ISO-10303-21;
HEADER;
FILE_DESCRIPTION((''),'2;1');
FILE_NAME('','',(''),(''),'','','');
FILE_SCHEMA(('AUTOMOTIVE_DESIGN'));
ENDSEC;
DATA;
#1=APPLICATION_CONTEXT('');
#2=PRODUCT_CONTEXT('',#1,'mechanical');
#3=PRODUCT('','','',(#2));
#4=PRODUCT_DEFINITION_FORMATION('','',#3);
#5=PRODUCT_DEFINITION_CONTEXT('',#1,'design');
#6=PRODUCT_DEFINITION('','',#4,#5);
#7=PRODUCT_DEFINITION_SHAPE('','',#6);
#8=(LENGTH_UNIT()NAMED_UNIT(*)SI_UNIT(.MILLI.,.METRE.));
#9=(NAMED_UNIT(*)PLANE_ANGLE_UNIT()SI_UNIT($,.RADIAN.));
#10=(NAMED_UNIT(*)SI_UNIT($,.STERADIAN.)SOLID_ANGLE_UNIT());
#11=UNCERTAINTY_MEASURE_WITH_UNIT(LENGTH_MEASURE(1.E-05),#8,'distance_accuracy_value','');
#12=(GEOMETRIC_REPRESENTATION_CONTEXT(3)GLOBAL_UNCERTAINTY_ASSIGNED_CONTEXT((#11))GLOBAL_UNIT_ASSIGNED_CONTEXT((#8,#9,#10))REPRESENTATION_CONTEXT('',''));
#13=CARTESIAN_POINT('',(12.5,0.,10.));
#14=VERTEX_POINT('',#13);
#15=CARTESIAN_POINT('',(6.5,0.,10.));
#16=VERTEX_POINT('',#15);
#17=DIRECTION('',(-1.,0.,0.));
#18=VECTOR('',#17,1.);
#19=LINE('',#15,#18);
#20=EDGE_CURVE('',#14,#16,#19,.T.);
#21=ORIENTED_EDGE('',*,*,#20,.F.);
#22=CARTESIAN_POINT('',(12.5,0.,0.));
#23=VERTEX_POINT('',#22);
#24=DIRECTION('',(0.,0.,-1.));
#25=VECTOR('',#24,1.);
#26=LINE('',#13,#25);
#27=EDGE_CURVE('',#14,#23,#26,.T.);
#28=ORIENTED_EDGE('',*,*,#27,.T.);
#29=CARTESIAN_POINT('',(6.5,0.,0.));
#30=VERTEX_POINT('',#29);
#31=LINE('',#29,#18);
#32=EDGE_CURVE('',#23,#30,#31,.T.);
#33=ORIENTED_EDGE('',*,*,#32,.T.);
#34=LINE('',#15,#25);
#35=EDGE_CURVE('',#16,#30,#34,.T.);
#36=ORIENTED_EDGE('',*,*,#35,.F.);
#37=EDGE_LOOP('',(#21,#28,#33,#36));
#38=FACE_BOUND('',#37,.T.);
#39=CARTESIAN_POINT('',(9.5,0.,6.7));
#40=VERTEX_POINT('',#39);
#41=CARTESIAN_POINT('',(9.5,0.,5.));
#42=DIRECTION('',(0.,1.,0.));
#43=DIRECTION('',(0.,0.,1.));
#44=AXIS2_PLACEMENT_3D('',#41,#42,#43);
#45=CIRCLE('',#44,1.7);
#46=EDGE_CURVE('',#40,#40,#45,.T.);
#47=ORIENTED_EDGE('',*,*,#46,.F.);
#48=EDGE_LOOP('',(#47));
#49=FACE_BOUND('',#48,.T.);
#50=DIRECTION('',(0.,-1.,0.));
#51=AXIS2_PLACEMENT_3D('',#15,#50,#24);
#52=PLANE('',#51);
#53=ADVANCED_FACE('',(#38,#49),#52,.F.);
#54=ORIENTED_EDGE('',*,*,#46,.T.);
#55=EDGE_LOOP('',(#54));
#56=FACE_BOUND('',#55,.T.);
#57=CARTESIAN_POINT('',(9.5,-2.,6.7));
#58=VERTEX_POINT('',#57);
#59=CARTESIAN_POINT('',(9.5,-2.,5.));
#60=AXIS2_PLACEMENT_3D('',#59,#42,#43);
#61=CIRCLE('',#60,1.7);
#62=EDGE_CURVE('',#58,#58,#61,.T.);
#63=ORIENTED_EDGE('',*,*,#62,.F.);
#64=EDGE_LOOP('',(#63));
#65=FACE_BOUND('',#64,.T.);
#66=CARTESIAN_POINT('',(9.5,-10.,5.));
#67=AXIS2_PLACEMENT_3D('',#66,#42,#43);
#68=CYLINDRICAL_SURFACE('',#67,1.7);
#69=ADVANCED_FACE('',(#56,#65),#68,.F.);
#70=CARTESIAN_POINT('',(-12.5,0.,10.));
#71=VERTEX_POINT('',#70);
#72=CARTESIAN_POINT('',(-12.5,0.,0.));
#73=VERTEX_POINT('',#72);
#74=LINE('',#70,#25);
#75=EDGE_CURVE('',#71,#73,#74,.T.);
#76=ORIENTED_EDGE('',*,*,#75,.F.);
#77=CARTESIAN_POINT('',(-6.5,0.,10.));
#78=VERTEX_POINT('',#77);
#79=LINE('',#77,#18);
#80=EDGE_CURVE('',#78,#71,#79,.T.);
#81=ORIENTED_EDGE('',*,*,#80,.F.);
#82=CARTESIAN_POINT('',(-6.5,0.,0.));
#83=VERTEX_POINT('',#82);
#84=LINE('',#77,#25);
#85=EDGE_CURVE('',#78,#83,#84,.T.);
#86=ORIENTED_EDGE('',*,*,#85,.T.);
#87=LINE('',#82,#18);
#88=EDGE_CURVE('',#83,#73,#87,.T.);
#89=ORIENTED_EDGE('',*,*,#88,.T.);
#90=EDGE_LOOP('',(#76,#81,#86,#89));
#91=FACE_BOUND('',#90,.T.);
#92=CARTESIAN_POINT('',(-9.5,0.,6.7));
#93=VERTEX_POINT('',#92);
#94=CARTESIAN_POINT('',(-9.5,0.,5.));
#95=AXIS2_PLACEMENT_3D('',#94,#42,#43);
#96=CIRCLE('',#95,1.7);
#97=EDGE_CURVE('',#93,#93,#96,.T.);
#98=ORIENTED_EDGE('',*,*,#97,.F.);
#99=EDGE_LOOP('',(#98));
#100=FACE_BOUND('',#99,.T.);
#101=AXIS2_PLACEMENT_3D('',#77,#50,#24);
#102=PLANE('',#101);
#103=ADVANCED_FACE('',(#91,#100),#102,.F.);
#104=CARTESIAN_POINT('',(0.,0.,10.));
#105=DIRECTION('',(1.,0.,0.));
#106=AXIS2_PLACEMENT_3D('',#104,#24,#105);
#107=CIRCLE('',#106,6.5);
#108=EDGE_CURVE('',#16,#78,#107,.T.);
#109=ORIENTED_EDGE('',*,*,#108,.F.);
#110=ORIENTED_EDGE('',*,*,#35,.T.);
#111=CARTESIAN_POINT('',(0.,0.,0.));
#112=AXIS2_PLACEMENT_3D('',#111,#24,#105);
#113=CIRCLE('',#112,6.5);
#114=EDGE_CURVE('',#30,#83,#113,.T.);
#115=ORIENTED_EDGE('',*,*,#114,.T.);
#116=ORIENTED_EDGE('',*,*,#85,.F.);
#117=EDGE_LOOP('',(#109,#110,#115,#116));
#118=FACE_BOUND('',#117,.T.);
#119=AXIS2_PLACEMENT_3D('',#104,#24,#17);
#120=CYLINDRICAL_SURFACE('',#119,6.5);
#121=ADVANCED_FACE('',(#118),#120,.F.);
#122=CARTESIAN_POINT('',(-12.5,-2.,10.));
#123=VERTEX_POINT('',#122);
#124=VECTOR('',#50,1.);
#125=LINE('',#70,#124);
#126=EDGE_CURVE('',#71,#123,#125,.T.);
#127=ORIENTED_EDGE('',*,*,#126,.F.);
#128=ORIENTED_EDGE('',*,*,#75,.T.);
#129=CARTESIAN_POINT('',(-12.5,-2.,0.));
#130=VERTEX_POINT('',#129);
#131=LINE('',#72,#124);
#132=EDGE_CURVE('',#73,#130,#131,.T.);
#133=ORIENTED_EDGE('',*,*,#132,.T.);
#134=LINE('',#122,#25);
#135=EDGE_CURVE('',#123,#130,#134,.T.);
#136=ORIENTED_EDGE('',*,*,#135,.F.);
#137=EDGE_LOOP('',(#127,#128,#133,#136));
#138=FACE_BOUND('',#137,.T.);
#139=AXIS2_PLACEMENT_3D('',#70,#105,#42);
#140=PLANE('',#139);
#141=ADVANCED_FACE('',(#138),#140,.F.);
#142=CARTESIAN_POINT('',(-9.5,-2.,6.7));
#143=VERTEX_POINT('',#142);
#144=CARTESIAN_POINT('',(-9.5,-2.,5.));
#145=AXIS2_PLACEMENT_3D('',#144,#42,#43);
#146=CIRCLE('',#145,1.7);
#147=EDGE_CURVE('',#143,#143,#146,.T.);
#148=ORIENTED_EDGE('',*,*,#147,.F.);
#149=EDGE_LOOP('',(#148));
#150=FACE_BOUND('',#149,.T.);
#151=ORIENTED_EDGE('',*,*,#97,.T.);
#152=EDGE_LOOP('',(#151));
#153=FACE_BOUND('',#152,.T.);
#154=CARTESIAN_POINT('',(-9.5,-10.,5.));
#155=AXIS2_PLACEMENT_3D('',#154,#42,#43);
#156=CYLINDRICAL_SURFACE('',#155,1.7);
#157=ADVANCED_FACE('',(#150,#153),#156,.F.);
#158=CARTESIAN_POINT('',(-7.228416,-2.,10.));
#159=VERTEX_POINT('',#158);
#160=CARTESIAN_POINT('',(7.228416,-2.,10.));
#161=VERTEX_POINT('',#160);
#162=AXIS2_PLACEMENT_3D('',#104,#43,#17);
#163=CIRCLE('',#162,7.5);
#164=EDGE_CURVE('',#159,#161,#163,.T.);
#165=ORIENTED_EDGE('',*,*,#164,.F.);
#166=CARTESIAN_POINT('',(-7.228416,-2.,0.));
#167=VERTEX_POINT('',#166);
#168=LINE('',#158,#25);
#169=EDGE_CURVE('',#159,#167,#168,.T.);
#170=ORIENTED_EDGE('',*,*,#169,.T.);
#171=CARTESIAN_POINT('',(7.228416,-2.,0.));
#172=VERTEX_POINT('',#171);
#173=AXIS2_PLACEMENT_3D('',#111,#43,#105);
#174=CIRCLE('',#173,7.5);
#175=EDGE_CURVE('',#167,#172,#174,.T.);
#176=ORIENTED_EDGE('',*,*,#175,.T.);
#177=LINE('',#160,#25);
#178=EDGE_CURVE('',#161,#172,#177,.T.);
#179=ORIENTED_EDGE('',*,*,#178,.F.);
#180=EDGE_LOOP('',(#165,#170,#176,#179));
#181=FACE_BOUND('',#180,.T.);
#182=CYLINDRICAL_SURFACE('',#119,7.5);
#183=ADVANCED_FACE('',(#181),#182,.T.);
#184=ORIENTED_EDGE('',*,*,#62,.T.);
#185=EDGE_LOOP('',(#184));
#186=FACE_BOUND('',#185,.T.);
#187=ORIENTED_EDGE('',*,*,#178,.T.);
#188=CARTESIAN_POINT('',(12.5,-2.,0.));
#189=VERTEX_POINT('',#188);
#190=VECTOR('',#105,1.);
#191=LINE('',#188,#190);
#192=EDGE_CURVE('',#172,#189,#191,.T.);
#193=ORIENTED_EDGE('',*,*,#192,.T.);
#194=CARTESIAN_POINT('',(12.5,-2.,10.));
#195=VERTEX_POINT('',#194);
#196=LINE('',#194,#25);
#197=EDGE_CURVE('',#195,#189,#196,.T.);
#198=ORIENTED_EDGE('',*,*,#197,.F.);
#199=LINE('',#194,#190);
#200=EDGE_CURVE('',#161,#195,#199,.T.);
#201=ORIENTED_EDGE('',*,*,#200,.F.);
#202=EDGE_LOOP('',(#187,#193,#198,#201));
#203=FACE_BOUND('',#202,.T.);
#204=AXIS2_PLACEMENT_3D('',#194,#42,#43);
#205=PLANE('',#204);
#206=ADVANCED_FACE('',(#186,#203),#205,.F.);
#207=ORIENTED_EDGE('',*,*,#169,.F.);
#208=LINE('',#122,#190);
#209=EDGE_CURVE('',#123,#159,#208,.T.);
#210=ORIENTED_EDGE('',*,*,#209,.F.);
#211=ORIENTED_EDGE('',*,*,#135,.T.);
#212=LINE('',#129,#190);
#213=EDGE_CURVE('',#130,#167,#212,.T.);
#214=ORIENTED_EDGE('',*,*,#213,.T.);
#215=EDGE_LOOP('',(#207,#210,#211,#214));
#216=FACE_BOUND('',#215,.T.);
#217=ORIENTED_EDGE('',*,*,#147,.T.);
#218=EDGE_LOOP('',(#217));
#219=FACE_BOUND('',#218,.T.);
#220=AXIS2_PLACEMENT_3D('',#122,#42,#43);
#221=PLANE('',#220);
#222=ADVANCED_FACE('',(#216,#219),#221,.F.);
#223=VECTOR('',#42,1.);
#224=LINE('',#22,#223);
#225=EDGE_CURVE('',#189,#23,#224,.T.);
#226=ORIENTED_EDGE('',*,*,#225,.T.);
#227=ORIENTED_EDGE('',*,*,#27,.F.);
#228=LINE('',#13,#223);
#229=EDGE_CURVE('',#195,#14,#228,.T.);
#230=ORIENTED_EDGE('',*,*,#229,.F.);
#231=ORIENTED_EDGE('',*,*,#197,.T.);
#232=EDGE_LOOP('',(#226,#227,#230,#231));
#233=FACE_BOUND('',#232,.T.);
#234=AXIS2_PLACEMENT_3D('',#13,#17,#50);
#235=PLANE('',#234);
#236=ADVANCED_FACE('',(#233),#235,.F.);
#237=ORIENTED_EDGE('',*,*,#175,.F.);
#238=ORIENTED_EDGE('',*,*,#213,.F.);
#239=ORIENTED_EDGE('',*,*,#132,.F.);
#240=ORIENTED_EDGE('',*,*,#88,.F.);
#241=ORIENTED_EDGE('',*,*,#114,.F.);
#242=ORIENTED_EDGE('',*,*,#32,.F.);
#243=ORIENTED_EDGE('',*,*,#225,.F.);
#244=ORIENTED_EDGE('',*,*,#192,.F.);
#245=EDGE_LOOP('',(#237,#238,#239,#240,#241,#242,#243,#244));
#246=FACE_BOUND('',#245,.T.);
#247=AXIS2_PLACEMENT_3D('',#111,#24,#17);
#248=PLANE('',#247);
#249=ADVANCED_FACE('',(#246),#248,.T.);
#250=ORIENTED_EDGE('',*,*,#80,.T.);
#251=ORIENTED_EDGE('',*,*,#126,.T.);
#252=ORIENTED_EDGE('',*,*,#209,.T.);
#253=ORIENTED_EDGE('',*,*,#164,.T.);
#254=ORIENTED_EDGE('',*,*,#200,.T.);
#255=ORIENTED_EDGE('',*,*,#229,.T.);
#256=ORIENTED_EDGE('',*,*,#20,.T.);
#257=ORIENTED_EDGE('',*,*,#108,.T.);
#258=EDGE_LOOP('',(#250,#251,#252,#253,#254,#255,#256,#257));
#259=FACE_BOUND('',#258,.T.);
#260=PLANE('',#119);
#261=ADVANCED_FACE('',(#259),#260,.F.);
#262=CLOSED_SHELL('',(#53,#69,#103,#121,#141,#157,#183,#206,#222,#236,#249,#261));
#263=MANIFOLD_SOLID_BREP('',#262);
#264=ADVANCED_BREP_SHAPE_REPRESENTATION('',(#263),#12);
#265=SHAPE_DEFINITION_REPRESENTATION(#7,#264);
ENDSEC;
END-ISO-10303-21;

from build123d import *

# Parameters (mm, degrees)
EXTRUDE_1_DEPTH     = 10
SKETCH_2_R          = 1.7
CUT_EXTRUDE_1_DEPTH = 10


with BuildPart() as part:
    # 草图1 → 凸台-拉伸1 (new body)
    with BuildSketch(Plane.XY):
        with BuildLine():
            Line((-6.5, 0), (-12.5, 0))
            Line((-12.5, 0), (-12.5, -2))
            Line((-12.5, -2), (-7.228416147, -2))
            ThreePointArc((-7.228416147, -2), (-4.554295868, -5.958891604), (-0.032245386, -7.499930682))
            ThreePointArc((-0.032245386, -7.499930682), (4.528634207, -5.9784172), (7.228416147, -2))
            Line((7.228416147, -2), (12.5, -2))
            Line((12.5, -2), (12.5, 0))
            Line((12.5, 0), (6.5, 0))
            ThreePointArc((6.5, 0), (0, -6.5), (-6.5, 0))
        make_face()
    extrude(amount=EXTRUDE_1_DEPTH)

    # 草图2 → 切除-拉伸1 (cut)
    with BuildSketch(Plane(origin=(0, 0, 0), x_dir=(1, 0, 0), z_dir=(0, 1, 0))):
        with Locations(Location((-9.5, -5, 0), (0, 0, 270))):
            Circle(SKETCH_2_R)
        with Locations(Location((9.5, -5, 0), (0, 0, 270))):
            Circle(SKETCH_2_R)
    extrude(amount=-CUT_EXTRUDE_1_DEPTH, mode=Mode.SUBTRACT)


solid = part.part
